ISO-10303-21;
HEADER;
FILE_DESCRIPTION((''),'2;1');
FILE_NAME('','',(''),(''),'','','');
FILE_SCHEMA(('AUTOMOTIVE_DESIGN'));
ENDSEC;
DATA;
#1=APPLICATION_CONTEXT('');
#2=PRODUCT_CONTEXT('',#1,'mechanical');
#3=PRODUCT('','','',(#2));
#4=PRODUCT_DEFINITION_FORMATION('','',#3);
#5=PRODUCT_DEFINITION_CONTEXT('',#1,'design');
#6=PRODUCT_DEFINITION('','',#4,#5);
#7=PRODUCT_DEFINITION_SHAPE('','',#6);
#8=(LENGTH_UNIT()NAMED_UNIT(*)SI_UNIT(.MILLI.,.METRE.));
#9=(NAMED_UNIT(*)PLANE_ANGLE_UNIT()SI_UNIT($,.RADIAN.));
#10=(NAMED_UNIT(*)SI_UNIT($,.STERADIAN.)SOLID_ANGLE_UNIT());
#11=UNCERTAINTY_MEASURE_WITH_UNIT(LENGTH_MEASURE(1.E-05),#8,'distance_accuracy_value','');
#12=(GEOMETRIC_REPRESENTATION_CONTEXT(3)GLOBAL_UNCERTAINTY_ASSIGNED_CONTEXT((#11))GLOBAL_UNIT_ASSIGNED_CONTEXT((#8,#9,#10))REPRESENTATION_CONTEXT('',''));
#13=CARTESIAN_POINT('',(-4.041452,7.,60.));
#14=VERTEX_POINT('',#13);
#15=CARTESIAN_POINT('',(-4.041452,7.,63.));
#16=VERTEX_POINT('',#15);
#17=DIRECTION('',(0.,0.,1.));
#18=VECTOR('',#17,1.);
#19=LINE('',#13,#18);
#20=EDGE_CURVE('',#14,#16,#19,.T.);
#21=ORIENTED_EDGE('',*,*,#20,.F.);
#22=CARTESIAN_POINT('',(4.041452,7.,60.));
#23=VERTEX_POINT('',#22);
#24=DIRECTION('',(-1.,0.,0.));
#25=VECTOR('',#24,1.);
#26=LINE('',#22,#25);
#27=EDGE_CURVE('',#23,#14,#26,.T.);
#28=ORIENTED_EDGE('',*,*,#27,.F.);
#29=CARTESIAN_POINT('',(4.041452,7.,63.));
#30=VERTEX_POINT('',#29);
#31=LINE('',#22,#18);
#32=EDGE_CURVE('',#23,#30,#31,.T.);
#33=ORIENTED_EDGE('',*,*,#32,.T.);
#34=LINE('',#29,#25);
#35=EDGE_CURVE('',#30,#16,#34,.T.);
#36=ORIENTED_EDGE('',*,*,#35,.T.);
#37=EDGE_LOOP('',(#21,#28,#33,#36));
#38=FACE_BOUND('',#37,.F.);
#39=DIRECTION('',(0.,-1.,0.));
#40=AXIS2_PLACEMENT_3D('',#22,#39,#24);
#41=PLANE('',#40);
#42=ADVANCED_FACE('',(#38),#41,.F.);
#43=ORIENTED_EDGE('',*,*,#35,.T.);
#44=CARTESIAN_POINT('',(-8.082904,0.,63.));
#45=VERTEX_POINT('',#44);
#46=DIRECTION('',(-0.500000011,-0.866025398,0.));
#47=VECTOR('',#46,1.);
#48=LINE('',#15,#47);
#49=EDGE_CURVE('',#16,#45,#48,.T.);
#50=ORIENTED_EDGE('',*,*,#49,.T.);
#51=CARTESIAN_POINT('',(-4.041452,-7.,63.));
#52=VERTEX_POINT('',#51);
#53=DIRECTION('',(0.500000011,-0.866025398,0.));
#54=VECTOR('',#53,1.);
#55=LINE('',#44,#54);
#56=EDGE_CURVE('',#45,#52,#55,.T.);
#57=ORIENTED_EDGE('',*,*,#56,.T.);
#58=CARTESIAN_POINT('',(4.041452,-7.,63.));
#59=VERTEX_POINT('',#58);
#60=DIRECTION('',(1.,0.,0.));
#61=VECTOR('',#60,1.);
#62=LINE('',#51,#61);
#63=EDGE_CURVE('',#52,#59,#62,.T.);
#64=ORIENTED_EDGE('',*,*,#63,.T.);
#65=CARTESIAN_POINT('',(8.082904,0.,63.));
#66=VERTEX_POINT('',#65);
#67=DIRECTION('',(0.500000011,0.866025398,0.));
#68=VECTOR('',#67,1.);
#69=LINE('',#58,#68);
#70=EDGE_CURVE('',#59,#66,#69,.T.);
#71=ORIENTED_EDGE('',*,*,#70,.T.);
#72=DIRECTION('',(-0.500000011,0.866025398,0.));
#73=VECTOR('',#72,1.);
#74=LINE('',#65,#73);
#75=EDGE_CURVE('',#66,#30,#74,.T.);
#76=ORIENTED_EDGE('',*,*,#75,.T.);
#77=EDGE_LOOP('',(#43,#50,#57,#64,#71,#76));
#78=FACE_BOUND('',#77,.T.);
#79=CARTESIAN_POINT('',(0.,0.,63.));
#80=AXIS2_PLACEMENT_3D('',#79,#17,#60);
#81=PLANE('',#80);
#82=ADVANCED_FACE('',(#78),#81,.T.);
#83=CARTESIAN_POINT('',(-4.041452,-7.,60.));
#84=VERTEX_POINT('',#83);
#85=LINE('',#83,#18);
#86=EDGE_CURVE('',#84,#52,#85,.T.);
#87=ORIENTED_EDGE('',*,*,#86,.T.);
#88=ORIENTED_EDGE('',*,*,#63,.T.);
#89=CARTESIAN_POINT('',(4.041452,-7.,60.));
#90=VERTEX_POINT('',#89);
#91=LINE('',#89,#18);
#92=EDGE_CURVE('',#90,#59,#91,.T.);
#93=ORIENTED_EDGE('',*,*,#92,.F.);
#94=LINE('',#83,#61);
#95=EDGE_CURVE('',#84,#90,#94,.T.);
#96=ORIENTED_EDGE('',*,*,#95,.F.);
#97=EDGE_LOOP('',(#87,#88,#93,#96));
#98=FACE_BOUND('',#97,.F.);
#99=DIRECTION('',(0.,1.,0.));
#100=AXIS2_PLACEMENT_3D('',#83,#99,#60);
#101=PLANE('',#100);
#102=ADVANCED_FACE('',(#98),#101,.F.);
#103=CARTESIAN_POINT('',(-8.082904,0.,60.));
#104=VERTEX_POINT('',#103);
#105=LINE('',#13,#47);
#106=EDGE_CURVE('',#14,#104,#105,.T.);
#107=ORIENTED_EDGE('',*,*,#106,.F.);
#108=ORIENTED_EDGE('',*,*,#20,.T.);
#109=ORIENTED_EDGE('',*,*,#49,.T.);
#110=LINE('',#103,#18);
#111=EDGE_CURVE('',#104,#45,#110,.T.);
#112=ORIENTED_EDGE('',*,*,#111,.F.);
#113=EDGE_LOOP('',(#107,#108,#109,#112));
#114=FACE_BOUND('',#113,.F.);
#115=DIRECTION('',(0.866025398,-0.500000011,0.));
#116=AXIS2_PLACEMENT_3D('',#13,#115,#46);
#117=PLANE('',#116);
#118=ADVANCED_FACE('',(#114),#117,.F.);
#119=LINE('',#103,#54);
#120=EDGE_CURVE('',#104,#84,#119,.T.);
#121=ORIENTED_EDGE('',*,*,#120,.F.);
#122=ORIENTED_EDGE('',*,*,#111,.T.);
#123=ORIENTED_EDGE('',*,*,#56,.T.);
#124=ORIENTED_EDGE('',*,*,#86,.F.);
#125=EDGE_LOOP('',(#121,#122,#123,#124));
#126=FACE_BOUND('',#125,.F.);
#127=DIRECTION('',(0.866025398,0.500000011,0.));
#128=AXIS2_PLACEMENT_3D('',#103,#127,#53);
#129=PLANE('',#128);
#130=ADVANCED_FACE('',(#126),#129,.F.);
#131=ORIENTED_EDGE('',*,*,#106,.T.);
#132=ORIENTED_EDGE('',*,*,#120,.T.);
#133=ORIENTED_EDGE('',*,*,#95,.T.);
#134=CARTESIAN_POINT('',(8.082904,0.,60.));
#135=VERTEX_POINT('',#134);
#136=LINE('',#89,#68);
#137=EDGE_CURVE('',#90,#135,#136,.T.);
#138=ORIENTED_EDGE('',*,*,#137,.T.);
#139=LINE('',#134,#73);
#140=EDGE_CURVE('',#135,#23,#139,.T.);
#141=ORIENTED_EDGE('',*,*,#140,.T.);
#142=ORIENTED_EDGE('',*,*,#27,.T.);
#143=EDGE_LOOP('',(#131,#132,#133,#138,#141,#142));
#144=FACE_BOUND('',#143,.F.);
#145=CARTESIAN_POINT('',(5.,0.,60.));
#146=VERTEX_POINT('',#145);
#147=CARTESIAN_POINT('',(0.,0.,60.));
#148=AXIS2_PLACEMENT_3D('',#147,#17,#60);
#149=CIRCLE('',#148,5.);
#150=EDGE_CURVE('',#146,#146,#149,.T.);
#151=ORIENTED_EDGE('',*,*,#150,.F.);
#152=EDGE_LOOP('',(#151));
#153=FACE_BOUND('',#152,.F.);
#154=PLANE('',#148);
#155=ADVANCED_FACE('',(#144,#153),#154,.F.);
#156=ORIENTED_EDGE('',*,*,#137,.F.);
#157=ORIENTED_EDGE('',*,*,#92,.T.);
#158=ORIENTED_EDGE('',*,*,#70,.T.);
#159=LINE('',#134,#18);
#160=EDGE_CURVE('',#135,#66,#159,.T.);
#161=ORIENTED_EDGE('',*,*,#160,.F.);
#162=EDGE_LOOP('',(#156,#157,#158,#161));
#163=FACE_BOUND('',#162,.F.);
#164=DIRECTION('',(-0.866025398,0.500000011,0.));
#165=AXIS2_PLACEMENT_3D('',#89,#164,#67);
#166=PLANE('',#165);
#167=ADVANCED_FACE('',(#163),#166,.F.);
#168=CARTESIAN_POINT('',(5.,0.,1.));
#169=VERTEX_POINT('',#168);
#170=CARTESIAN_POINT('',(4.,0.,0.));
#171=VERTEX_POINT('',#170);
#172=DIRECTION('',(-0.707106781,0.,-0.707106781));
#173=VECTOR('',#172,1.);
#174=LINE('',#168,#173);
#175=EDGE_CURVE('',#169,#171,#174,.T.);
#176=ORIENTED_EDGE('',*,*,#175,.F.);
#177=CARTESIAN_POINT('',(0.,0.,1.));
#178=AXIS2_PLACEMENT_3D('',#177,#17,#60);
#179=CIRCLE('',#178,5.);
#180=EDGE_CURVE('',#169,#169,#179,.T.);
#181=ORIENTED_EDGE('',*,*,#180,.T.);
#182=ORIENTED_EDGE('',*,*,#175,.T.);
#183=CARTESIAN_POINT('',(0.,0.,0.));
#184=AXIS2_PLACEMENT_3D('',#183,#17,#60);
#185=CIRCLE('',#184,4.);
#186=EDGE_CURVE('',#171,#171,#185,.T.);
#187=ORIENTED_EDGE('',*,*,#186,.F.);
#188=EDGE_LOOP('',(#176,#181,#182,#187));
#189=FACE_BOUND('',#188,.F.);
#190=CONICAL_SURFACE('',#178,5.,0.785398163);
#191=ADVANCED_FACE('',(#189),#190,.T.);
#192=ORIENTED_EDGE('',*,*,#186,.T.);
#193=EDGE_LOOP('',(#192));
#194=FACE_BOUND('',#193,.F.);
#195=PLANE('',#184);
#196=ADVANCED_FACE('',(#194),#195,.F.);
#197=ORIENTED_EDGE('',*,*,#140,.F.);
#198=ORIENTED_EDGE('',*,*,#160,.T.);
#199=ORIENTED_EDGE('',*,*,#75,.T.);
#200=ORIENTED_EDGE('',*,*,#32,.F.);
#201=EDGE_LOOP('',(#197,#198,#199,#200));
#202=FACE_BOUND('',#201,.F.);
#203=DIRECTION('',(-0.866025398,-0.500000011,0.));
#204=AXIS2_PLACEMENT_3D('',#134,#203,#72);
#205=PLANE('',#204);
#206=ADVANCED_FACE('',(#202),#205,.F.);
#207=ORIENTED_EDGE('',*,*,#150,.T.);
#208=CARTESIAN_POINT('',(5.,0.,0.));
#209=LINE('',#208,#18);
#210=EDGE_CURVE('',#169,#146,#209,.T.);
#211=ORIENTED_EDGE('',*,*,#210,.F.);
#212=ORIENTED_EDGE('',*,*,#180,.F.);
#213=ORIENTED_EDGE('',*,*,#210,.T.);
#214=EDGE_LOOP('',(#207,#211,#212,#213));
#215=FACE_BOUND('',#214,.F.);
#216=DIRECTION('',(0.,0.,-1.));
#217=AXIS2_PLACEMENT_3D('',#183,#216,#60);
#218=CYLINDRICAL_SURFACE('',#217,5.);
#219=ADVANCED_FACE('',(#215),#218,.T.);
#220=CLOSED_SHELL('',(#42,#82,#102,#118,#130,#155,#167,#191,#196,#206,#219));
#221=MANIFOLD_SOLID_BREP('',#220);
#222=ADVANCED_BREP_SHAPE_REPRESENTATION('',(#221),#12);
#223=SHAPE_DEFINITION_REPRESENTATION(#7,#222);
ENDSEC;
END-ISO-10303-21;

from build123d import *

# Parameters (mm, degrees)
F0_R     = 5
F1_DEPTH = 60
F2_SIZE2 = 1
F2_SIZE  = 1
F4_DEPTH = 3


with BuildPart() as f1:
    # F0 (on Top) → F1 (new body)
    with BuildSketch(Plane.XY):
        Circle(F0_R)
    extrude(amount=F1_DEPTH)

    # F2
    f2_edges = [f1.edges().sort_by_distance(p)[0] for p in [
        (-5, 0, 0),
    ]]
    chamfer(f2_edges, length=F2_SIZE, length2=F2_SIZE2)

    # F3 (on face) → F4 (join)
    with BuildSketch(Plane.XY.offset(60)):
        Polygon((8.082904, 0), (4.041452, 7), (-4.041452, 7), (-8.082904, 0), (-4.041452, -7), (4.041452, -7), align=None)
    extrude(amount=F4_DEPTH)


solid = f1.part
